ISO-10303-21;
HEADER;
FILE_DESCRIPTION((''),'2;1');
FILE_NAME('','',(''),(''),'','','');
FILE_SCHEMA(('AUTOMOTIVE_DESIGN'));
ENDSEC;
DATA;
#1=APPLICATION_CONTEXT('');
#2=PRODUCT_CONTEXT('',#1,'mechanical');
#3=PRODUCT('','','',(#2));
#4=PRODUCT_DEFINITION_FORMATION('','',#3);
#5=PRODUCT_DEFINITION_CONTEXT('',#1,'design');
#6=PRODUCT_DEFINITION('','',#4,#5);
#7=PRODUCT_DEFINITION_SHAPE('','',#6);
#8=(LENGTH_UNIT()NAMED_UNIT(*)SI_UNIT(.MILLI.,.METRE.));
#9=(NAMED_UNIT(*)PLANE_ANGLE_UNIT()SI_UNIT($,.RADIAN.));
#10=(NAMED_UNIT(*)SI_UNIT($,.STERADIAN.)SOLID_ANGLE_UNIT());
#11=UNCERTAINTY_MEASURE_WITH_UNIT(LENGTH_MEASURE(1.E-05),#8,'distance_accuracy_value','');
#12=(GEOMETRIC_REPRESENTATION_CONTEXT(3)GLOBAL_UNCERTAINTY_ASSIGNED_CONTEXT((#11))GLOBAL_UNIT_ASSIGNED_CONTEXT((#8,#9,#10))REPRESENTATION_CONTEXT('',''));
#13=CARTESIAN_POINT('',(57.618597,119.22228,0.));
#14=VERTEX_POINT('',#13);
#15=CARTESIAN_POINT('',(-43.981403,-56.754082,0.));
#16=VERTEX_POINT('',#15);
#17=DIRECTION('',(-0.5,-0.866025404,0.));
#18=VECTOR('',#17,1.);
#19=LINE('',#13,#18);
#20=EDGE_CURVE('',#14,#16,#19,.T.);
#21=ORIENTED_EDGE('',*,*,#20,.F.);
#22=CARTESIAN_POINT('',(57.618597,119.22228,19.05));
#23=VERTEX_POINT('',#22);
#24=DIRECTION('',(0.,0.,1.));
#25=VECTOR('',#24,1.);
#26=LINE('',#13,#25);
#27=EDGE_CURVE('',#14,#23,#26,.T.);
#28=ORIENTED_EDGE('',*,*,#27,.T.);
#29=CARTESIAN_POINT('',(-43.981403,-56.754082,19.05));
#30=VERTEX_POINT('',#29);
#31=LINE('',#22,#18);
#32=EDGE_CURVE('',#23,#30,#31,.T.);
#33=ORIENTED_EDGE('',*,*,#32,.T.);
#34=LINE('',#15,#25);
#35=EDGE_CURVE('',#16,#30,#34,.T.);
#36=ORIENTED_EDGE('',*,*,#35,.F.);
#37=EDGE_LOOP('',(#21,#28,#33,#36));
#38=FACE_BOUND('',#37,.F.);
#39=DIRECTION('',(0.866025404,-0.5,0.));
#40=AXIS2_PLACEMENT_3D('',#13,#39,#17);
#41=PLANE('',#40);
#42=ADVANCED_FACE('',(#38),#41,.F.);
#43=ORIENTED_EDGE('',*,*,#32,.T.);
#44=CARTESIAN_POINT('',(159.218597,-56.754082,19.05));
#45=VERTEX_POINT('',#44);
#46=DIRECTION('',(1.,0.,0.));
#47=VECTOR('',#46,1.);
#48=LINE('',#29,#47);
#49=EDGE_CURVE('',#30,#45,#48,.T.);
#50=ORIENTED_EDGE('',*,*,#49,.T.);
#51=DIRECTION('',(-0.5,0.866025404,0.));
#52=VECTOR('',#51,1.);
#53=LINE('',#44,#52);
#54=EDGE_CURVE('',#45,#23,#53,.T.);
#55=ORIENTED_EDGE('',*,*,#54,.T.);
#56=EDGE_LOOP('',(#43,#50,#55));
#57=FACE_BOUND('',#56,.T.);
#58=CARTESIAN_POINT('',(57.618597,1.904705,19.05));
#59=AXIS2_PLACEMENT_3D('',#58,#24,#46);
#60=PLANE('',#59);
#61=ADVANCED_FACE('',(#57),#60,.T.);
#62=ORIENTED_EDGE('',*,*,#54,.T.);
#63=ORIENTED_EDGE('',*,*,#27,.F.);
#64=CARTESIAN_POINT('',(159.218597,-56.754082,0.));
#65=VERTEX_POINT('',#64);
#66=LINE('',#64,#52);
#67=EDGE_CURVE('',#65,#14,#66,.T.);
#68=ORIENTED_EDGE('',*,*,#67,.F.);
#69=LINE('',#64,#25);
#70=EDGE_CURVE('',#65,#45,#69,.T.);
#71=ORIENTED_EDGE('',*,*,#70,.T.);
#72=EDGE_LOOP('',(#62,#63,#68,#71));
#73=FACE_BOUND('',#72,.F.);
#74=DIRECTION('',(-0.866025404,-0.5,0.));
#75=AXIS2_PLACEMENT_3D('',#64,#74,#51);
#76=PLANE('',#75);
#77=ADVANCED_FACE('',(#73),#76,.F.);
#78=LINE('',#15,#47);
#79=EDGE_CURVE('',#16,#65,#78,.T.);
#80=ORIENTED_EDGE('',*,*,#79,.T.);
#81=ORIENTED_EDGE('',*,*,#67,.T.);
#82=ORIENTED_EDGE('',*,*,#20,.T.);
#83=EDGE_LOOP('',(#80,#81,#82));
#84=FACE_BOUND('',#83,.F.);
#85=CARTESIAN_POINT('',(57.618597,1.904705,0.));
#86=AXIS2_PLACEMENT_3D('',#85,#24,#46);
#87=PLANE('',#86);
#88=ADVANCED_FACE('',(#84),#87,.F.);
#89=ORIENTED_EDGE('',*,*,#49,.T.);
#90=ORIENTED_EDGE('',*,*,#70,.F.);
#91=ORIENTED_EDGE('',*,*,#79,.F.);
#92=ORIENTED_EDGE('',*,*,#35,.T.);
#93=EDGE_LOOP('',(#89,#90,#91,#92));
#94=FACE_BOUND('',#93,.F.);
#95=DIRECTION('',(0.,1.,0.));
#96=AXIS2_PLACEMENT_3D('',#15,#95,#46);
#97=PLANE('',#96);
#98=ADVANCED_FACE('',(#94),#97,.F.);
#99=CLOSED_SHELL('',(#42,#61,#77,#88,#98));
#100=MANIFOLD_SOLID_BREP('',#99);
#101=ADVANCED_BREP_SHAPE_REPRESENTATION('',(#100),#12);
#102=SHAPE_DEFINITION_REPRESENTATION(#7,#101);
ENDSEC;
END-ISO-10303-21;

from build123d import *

# Parameters (mm, degrees)
F2_DEPTH = 19.05
F3_DEPTH = 25.4


with BuildPart() as f2:
    # F0 (on Top) → F2 (new body)
    with BuildSketch(Plane.XY):
        Polygon((57.618597, 119.22228), (-43.981403, -56.754082), (159.218597, -56.754082), align=None)
    extrude(amount=F2_DEPTH)

    # F1 (on Top) → F3 (cut)
    with BuildSketch(Plane.XY):
        Polygon((-10.985835, -37.704082), (126.223029, -37.704082), (57.618597, 81.12228), align=None)
    extrude(amount=-F3_DEPTH, mode=Mode.SUBTRACT)


solid = f2.part
